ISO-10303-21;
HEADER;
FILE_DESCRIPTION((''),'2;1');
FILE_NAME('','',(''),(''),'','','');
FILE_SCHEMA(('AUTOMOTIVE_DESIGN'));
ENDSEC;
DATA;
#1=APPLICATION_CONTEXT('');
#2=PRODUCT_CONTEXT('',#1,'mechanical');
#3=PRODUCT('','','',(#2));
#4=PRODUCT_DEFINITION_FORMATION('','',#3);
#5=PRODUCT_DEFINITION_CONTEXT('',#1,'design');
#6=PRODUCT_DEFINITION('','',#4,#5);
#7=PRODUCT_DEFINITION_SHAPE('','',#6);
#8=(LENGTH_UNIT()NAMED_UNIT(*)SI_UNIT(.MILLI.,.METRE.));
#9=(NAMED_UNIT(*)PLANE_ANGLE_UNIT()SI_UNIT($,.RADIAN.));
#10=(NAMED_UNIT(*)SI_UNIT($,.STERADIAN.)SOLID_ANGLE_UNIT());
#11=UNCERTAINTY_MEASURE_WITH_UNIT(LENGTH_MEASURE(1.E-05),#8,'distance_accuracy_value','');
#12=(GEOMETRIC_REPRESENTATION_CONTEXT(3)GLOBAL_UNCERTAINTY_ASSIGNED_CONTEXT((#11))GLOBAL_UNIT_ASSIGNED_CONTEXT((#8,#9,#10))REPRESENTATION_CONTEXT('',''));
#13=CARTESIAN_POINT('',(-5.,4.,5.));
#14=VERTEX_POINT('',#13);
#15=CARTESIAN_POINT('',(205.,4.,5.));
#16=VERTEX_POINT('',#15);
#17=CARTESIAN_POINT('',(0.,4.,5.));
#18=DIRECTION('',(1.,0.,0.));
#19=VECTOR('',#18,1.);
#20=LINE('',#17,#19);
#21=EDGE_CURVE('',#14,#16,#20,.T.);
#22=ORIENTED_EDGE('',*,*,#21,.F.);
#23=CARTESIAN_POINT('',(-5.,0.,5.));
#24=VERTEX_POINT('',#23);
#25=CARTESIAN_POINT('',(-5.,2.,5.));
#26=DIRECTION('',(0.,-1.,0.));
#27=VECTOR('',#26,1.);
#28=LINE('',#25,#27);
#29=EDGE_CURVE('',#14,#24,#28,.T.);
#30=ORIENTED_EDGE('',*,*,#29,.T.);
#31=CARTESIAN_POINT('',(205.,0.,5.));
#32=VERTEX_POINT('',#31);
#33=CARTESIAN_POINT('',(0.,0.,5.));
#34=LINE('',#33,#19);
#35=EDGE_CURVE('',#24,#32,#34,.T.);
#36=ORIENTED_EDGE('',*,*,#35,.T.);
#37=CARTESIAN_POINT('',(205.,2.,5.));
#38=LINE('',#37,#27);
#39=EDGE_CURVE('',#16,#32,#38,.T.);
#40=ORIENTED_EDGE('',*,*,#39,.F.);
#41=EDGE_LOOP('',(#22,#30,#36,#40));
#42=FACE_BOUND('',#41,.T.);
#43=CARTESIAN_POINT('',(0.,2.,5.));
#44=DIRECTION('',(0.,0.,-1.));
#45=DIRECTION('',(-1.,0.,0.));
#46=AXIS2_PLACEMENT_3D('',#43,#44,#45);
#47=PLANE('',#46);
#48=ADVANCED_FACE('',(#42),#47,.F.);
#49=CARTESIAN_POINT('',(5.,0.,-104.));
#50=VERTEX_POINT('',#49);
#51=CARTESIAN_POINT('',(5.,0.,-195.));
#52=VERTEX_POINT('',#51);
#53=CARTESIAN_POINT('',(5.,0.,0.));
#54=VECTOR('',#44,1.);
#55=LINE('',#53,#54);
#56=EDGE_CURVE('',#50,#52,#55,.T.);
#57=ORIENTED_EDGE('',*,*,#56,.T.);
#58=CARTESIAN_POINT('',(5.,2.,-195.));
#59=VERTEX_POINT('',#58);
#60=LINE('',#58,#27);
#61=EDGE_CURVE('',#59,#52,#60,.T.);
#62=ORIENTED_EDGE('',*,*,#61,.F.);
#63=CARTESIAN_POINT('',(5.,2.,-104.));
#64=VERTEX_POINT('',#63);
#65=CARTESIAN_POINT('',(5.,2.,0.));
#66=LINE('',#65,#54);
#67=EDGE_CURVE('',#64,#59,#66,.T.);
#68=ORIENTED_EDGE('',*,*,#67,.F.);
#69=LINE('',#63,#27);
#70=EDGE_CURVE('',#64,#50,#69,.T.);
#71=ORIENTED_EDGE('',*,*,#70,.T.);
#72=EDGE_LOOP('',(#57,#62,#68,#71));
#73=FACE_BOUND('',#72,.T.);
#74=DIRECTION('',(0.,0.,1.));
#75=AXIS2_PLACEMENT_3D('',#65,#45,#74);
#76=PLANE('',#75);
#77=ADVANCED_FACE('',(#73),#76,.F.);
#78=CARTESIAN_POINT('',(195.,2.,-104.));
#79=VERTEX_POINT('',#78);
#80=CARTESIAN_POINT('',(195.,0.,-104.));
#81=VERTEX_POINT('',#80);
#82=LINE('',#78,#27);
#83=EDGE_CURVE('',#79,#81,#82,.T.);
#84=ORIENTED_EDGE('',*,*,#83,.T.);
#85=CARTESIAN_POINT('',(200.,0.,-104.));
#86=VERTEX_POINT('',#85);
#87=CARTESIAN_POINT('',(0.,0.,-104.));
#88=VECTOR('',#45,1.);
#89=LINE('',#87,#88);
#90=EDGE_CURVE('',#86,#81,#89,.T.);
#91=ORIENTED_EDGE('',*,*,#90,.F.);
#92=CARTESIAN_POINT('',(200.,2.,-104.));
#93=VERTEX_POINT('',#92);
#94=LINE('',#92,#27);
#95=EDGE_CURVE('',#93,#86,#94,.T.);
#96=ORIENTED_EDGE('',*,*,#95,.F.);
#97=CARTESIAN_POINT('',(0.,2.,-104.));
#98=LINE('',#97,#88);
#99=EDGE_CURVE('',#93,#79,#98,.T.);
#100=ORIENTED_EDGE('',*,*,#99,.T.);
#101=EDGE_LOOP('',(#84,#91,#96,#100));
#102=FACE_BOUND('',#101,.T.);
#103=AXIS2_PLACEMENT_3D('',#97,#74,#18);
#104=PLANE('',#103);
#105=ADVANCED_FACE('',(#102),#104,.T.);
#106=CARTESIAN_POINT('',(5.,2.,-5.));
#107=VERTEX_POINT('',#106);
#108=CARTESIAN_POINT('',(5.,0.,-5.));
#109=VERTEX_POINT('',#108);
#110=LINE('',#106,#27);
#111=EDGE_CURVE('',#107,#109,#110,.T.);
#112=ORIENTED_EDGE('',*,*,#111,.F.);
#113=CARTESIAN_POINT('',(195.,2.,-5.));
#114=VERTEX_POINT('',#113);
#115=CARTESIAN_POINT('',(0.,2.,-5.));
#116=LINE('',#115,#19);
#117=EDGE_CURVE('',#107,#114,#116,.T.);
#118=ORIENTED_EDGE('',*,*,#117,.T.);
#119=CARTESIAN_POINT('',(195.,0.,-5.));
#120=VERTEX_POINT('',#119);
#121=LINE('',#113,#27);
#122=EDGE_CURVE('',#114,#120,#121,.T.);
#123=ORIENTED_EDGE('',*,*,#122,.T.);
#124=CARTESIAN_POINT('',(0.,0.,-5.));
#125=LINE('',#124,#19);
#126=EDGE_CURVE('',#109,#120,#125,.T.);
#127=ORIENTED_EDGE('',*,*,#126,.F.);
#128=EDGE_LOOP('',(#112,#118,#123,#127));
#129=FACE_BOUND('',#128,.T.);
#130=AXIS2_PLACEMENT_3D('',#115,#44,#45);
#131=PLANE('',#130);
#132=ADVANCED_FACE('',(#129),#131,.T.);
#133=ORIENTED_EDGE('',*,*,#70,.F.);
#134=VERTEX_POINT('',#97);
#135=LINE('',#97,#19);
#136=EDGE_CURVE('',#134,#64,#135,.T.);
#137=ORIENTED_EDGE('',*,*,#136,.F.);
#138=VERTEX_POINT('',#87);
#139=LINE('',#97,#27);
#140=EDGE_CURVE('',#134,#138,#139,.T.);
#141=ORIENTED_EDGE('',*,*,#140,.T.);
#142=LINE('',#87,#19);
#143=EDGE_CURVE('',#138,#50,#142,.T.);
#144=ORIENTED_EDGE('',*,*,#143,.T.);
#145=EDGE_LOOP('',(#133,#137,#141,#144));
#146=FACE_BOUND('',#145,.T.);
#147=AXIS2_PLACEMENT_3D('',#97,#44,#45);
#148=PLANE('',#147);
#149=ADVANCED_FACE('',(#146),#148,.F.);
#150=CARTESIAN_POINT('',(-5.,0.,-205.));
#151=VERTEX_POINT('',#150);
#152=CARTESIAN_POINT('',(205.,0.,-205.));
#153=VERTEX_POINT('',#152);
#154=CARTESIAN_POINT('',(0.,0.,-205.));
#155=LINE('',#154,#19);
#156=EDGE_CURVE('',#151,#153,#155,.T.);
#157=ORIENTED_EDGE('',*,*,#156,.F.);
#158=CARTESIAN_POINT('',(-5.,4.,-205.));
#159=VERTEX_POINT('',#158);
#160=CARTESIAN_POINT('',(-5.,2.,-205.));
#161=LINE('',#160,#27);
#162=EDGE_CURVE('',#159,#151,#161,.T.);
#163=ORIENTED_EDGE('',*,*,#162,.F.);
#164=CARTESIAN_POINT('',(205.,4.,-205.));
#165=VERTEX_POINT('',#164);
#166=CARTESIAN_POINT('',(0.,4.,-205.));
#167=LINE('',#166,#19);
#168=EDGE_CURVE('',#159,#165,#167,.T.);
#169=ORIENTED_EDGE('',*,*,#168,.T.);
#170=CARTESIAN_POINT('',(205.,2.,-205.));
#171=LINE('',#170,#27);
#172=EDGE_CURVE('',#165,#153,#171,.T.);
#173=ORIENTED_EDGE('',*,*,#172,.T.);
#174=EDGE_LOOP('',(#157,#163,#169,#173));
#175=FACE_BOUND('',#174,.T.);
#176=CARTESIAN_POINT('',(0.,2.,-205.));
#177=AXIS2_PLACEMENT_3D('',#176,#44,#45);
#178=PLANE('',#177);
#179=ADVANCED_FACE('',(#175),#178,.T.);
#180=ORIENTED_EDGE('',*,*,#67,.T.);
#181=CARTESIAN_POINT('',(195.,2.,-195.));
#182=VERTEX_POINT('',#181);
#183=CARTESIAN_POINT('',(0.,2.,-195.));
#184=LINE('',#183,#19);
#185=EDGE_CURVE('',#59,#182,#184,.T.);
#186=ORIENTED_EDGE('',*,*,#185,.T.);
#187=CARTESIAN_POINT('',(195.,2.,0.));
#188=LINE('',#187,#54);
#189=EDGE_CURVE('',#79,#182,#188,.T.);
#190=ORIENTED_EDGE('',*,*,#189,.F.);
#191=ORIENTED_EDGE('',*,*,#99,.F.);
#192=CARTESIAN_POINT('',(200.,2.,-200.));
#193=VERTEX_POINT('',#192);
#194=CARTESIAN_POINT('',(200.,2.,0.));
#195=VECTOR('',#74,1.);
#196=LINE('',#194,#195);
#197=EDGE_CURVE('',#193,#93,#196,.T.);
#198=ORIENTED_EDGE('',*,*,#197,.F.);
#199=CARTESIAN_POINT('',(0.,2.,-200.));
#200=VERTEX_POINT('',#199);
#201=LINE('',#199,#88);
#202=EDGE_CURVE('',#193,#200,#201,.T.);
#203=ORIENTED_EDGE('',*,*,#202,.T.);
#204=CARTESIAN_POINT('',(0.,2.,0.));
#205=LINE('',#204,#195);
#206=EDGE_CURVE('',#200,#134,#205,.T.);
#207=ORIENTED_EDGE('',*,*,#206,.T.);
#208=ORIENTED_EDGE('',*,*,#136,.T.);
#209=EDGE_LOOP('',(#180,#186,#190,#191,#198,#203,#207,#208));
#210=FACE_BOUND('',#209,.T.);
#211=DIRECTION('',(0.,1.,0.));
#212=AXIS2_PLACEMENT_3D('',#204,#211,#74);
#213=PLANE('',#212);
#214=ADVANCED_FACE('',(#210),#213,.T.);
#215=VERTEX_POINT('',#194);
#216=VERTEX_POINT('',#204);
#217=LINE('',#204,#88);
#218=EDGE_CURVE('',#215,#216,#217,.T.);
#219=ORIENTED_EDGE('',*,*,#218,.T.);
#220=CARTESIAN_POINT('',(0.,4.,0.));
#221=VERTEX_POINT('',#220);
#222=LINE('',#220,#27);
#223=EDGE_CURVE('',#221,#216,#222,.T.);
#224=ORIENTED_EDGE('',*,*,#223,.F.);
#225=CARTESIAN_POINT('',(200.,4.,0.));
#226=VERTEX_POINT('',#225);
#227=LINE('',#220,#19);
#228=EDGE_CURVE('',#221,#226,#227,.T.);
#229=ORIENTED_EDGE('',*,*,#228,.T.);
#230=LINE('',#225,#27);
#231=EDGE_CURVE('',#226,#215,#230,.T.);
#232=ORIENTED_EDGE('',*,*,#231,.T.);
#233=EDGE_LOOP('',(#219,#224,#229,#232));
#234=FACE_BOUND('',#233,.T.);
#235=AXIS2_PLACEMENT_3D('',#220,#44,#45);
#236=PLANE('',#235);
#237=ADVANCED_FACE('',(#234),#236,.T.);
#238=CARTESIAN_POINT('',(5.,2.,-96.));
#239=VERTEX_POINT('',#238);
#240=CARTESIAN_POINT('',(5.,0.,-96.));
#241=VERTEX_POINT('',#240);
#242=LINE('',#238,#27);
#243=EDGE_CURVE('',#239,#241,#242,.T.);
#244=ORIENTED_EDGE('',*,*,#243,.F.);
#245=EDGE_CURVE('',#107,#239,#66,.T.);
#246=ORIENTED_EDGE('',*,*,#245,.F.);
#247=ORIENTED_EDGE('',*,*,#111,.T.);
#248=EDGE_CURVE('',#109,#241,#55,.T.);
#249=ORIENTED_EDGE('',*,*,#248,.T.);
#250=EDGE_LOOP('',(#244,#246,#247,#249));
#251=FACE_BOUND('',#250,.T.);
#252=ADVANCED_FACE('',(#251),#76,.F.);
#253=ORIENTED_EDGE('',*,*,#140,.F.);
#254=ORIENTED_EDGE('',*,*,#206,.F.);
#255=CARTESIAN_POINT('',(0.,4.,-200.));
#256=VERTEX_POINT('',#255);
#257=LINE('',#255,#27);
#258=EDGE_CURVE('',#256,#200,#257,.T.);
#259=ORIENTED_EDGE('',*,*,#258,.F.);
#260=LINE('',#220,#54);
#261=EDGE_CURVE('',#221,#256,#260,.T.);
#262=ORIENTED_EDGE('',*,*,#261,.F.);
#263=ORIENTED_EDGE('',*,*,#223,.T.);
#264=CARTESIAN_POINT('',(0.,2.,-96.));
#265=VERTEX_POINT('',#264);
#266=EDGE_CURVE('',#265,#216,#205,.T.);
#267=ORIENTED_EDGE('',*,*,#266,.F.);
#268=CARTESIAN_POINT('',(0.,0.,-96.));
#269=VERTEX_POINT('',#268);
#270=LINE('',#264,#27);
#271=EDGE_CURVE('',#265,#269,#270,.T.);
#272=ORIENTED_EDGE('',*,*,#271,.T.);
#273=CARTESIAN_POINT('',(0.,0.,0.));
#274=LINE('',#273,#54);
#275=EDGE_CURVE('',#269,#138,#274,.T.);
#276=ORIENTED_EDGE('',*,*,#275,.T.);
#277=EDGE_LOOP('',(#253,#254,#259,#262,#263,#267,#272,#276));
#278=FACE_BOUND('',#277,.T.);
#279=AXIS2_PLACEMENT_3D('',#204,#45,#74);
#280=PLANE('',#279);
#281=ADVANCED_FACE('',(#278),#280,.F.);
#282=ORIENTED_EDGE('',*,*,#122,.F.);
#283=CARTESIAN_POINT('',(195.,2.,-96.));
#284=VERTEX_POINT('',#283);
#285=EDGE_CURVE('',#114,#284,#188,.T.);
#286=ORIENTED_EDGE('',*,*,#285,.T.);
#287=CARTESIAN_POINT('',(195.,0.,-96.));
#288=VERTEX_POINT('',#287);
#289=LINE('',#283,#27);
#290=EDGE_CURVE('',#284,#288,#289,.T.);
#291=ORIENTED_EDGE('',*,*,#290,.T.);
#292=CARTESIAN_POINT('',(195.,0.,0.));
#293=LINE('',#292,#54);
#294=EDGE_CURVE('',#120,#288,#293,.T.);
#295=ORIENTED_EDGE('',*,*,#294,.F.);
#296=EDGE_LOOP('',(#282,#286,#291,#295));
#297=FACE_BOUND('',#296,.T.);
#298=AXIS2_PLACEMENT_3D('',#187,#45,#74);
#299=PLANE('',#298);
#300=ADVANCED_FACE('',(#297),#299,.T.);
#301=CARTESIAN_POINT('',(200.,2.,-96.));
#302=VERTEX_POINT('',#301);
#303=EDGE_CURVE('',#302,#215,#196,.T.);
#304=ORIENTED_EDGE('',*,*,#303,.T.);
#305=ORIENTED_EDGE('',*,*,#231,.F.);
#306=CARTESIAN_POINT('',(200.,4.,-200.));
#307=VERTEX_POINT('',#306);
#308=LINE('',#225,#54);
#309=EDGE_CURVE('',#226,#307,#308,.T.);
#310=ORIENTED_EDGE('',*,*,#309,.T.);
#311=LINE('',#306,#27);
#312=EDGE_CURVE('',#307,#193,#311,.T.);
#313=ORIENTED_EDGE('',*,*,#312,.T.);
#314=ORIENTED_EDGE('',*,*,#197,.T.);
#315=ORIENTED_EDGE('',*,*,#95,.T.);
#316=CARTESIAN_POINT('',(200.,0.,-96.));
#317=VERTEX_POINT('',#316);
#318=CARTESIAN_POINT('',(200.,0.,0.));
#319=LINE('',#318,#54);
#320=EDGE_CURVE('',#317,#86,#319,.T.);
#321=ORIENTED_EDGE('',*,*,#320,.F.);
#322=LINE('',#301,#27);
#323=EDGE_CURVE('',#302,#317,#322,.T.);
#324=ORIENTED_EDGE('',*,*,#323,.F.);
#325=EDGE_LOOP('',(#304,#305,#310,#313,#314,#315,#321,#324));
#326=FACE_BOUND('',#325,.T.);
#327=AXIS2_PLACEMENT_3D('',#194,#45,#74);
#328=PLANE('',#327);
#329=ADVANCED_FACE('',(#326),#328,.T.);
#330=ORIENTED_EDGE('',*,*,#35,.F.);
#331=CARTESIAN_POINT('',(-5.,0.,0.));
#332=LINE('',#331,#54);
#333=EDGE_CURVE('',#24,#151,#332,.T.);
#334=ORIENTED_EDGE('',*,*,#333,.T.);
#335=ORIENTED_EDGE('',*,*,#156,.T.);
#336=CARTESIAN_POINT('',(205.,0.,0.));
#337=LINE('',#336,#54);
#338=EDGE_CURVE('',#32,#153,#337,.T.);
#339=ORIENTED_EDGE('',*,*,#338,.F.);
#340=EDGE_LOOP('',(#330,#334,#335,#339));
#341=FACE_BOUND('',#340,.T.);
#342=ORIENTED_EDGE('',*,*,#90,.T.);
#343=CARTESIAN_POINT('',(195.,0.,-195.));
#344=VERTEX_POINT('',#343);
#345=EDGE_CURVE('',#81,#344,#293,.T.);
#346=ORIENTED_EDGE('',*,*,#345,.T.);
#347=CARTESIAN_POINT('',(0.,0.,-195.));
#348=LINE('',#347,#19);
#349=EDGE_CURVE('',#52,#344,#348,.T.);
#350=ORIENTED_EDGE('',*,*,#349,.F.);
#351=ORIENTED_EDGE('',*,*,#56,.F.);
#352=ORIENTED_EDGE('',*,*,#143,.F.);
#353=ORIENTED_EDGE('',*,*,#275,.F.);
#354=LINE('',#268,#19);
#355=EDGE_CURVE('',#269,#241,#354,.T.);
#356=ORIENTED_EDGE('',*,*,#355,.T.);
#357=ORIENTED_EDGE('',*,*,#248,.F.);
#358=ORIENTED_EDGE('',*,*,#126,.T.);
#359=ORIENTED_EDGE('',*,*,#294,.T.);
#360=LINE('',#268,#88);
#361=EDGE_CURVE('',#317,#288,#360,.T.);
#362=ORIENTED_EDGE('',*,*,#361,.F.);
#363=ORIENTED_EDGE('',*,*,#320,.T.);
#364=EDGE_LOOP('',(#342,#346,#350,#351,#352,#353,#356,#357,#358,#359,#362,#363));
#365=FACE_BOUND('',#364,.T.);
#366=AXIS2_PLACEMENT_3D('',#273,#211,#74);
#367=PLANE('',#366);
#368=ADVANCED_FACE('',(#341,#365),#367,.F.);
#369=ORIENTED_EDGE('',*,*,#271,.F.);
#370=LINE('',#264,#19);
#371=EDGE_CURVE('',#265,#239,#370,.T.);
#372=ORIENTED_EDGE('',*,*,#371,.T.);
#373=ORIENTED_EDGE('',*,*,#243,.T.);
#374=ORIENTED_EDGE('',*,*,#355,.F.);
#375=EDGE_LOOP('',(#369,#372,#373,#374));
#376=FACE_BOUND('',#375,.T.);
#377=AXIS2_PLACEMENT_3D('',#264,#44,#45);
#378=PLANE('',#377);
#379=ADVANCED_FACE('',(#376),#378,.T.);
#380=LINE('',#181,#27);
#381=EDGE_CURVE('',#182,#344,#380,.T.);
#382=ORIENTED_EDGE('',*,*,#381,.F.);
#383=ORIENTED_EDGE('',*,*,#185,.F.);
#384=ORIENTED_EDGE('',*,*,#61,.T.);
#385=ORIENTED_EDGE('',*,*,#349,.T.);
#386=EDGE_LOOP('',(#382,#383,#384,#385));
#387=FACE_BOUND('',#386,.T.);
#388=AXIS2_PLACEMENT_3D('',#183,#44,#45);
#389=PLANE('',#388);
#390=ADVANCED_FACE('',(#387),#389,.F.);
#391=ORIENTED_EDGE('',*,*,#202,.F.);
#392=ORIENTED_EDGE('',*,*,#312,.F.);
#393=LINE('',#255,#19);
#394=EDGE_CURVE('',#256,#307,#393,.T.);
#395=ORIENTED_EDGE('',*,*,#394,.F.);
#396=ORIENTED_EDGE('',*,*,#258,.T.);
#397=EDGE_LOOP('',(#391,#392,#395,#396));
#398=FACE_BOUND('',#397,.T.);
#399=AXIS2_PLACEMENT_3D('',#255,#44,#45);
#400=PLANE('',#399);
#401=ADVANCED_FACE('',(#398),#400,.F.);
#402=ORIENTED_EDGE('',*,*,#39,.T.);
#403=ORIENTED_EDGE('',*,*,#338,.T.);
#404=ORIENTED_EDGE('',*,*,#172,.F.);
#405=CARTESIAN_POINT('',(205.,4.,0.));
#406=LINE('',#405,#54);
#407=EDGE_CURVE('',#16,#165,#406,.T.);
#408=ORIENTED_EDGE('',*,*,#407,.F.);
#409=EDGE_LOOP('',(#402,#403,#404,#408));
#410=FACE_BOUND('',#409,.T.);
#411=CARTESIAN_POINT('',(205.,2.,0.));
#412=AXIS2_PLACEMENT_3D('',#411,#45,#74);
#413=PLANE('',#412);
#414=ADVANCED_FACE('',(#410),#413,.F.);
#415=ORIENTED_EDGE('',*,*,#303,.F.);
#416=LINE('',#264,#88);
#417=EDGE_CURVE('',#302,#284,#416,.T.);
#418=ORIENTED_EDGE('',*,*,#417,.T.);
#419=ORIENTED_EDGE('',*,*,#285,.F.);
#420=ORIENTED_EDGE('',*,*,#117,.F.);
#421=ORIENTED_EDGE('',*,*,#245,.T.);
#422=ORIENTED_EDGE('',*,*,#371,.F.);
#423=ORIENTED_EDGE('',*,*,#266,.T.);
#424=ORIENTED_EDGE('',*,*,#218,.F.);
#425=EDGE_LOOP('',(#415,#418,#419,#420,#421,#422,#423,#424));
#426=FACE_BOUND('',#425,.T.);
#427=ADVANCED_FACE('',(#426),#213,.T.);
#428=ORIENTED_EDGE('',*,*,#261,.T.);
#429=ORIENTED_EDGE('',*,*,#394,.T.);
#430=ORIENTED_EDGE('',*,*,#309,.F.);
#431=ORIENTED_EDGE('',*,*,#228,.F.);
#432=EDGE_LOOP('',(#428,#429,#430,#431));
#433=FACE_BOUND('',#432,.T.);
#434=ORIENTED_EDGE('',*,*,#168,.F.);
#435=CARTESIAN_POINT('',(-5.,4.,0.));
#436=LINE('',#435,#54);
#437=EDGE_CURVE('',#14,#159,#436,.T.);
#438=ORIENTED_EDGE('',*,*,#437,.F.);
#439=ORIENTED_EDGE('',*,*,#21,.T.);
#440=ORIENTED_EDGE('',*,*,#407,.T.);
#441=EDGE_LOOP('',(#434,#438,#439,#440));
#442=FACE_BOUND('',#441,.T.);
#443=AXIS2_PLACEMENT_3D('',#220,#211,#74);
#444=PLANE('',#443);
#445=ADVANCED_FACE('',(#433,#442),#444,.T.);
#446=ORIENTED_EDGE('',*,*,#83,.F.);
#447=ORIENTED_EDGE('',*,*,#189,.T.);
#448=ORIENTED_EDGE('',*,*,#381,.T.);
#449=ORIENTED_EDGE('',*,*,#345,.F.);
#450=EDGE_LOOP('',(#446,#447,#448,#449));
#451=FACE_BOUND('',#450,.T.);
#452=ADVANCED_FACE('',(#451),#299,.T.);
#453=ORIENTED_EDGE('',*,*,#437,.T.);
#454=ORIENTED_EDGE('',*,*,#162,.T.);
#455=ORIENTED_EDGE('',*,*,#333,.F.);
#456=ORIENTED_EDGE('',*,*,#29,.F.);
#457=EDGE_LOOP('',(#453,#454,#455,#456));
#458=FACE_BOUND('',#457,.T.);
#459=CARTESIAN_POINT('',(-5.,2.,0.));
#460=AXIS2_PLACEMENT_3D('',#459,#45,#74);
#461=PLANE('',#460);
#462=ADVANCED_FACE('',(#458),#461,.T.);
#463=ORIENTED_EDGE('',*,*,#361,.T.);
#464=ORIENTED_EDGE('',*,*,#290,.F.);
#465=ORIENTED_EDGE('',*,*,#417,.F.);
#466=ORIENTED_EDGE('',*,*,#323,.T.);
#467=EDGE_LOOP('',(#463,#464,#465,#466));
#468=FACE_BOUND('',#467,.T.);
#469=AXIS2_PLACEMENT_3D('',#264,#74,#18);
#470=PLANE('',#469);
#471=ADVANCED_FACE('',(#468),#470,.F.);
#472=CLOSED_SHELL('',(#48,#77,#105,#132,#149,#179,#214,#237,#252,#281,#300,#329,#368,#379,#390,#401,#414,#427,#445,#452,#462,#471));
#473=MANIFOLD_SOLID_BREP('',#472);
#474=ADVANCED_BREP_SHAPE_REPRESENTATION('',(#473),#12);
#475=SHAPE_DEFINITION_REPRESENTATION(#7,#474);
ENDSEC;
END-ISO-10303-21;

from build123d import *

# Parameters (mm, degrees)
SKETCH1_W           = 210
SKETCH1_H           = 210
BOSS_EXTRUDE1_DEPTH = 2
SKETCH1_4_W         = 210
SKETCH1_4_H         = 210
BOSS_EXTRUDE2_DEPTH = 4


with BuildPart() as part:
    # Sketch1 → Boss-Extrude1 (new body)
    with BuildSketch(Plane(origin=(0, 0, 0), x_dir=(1, 0, 0), z_dir=(0, 1, 0))):
        with Locations((100, 100)):
            Rectangle(SKETCH1_W, SKETCH1_H)
        Polygon((200, 104), (200, 96), (195, 96), (195, 5), (5, 5), (5, 96), (0, 96), (0, 104), (5, 104), (5, 195), (195, 195), (195, 104), align=None, mode=Mode.SUBTRACT)
    extrude(amount=BOSS_EXTRUDE1_DEPTH)

    # Sketch1<4> → Boss-Extrude2 (add)
    with BuildSketch(Plane(origin=(0, 0, 0), x_dir=(1, 0, 0), z_dir=(0, 1, 0))):
        with Locations((100, 100)):
            Rectangle(SKETCH1_4_W, SKETCH1_4_H)
        Polygon((200, 0), (0, 0), (0, 96), (0, 104), (0, 200), (200, 200), (200, 104), (200, 96), align=None, mode=Mode.SUBTRACT)
    extrude(amount=BOSS_EXTRUDE2_DEPTH)


solid = part.part
